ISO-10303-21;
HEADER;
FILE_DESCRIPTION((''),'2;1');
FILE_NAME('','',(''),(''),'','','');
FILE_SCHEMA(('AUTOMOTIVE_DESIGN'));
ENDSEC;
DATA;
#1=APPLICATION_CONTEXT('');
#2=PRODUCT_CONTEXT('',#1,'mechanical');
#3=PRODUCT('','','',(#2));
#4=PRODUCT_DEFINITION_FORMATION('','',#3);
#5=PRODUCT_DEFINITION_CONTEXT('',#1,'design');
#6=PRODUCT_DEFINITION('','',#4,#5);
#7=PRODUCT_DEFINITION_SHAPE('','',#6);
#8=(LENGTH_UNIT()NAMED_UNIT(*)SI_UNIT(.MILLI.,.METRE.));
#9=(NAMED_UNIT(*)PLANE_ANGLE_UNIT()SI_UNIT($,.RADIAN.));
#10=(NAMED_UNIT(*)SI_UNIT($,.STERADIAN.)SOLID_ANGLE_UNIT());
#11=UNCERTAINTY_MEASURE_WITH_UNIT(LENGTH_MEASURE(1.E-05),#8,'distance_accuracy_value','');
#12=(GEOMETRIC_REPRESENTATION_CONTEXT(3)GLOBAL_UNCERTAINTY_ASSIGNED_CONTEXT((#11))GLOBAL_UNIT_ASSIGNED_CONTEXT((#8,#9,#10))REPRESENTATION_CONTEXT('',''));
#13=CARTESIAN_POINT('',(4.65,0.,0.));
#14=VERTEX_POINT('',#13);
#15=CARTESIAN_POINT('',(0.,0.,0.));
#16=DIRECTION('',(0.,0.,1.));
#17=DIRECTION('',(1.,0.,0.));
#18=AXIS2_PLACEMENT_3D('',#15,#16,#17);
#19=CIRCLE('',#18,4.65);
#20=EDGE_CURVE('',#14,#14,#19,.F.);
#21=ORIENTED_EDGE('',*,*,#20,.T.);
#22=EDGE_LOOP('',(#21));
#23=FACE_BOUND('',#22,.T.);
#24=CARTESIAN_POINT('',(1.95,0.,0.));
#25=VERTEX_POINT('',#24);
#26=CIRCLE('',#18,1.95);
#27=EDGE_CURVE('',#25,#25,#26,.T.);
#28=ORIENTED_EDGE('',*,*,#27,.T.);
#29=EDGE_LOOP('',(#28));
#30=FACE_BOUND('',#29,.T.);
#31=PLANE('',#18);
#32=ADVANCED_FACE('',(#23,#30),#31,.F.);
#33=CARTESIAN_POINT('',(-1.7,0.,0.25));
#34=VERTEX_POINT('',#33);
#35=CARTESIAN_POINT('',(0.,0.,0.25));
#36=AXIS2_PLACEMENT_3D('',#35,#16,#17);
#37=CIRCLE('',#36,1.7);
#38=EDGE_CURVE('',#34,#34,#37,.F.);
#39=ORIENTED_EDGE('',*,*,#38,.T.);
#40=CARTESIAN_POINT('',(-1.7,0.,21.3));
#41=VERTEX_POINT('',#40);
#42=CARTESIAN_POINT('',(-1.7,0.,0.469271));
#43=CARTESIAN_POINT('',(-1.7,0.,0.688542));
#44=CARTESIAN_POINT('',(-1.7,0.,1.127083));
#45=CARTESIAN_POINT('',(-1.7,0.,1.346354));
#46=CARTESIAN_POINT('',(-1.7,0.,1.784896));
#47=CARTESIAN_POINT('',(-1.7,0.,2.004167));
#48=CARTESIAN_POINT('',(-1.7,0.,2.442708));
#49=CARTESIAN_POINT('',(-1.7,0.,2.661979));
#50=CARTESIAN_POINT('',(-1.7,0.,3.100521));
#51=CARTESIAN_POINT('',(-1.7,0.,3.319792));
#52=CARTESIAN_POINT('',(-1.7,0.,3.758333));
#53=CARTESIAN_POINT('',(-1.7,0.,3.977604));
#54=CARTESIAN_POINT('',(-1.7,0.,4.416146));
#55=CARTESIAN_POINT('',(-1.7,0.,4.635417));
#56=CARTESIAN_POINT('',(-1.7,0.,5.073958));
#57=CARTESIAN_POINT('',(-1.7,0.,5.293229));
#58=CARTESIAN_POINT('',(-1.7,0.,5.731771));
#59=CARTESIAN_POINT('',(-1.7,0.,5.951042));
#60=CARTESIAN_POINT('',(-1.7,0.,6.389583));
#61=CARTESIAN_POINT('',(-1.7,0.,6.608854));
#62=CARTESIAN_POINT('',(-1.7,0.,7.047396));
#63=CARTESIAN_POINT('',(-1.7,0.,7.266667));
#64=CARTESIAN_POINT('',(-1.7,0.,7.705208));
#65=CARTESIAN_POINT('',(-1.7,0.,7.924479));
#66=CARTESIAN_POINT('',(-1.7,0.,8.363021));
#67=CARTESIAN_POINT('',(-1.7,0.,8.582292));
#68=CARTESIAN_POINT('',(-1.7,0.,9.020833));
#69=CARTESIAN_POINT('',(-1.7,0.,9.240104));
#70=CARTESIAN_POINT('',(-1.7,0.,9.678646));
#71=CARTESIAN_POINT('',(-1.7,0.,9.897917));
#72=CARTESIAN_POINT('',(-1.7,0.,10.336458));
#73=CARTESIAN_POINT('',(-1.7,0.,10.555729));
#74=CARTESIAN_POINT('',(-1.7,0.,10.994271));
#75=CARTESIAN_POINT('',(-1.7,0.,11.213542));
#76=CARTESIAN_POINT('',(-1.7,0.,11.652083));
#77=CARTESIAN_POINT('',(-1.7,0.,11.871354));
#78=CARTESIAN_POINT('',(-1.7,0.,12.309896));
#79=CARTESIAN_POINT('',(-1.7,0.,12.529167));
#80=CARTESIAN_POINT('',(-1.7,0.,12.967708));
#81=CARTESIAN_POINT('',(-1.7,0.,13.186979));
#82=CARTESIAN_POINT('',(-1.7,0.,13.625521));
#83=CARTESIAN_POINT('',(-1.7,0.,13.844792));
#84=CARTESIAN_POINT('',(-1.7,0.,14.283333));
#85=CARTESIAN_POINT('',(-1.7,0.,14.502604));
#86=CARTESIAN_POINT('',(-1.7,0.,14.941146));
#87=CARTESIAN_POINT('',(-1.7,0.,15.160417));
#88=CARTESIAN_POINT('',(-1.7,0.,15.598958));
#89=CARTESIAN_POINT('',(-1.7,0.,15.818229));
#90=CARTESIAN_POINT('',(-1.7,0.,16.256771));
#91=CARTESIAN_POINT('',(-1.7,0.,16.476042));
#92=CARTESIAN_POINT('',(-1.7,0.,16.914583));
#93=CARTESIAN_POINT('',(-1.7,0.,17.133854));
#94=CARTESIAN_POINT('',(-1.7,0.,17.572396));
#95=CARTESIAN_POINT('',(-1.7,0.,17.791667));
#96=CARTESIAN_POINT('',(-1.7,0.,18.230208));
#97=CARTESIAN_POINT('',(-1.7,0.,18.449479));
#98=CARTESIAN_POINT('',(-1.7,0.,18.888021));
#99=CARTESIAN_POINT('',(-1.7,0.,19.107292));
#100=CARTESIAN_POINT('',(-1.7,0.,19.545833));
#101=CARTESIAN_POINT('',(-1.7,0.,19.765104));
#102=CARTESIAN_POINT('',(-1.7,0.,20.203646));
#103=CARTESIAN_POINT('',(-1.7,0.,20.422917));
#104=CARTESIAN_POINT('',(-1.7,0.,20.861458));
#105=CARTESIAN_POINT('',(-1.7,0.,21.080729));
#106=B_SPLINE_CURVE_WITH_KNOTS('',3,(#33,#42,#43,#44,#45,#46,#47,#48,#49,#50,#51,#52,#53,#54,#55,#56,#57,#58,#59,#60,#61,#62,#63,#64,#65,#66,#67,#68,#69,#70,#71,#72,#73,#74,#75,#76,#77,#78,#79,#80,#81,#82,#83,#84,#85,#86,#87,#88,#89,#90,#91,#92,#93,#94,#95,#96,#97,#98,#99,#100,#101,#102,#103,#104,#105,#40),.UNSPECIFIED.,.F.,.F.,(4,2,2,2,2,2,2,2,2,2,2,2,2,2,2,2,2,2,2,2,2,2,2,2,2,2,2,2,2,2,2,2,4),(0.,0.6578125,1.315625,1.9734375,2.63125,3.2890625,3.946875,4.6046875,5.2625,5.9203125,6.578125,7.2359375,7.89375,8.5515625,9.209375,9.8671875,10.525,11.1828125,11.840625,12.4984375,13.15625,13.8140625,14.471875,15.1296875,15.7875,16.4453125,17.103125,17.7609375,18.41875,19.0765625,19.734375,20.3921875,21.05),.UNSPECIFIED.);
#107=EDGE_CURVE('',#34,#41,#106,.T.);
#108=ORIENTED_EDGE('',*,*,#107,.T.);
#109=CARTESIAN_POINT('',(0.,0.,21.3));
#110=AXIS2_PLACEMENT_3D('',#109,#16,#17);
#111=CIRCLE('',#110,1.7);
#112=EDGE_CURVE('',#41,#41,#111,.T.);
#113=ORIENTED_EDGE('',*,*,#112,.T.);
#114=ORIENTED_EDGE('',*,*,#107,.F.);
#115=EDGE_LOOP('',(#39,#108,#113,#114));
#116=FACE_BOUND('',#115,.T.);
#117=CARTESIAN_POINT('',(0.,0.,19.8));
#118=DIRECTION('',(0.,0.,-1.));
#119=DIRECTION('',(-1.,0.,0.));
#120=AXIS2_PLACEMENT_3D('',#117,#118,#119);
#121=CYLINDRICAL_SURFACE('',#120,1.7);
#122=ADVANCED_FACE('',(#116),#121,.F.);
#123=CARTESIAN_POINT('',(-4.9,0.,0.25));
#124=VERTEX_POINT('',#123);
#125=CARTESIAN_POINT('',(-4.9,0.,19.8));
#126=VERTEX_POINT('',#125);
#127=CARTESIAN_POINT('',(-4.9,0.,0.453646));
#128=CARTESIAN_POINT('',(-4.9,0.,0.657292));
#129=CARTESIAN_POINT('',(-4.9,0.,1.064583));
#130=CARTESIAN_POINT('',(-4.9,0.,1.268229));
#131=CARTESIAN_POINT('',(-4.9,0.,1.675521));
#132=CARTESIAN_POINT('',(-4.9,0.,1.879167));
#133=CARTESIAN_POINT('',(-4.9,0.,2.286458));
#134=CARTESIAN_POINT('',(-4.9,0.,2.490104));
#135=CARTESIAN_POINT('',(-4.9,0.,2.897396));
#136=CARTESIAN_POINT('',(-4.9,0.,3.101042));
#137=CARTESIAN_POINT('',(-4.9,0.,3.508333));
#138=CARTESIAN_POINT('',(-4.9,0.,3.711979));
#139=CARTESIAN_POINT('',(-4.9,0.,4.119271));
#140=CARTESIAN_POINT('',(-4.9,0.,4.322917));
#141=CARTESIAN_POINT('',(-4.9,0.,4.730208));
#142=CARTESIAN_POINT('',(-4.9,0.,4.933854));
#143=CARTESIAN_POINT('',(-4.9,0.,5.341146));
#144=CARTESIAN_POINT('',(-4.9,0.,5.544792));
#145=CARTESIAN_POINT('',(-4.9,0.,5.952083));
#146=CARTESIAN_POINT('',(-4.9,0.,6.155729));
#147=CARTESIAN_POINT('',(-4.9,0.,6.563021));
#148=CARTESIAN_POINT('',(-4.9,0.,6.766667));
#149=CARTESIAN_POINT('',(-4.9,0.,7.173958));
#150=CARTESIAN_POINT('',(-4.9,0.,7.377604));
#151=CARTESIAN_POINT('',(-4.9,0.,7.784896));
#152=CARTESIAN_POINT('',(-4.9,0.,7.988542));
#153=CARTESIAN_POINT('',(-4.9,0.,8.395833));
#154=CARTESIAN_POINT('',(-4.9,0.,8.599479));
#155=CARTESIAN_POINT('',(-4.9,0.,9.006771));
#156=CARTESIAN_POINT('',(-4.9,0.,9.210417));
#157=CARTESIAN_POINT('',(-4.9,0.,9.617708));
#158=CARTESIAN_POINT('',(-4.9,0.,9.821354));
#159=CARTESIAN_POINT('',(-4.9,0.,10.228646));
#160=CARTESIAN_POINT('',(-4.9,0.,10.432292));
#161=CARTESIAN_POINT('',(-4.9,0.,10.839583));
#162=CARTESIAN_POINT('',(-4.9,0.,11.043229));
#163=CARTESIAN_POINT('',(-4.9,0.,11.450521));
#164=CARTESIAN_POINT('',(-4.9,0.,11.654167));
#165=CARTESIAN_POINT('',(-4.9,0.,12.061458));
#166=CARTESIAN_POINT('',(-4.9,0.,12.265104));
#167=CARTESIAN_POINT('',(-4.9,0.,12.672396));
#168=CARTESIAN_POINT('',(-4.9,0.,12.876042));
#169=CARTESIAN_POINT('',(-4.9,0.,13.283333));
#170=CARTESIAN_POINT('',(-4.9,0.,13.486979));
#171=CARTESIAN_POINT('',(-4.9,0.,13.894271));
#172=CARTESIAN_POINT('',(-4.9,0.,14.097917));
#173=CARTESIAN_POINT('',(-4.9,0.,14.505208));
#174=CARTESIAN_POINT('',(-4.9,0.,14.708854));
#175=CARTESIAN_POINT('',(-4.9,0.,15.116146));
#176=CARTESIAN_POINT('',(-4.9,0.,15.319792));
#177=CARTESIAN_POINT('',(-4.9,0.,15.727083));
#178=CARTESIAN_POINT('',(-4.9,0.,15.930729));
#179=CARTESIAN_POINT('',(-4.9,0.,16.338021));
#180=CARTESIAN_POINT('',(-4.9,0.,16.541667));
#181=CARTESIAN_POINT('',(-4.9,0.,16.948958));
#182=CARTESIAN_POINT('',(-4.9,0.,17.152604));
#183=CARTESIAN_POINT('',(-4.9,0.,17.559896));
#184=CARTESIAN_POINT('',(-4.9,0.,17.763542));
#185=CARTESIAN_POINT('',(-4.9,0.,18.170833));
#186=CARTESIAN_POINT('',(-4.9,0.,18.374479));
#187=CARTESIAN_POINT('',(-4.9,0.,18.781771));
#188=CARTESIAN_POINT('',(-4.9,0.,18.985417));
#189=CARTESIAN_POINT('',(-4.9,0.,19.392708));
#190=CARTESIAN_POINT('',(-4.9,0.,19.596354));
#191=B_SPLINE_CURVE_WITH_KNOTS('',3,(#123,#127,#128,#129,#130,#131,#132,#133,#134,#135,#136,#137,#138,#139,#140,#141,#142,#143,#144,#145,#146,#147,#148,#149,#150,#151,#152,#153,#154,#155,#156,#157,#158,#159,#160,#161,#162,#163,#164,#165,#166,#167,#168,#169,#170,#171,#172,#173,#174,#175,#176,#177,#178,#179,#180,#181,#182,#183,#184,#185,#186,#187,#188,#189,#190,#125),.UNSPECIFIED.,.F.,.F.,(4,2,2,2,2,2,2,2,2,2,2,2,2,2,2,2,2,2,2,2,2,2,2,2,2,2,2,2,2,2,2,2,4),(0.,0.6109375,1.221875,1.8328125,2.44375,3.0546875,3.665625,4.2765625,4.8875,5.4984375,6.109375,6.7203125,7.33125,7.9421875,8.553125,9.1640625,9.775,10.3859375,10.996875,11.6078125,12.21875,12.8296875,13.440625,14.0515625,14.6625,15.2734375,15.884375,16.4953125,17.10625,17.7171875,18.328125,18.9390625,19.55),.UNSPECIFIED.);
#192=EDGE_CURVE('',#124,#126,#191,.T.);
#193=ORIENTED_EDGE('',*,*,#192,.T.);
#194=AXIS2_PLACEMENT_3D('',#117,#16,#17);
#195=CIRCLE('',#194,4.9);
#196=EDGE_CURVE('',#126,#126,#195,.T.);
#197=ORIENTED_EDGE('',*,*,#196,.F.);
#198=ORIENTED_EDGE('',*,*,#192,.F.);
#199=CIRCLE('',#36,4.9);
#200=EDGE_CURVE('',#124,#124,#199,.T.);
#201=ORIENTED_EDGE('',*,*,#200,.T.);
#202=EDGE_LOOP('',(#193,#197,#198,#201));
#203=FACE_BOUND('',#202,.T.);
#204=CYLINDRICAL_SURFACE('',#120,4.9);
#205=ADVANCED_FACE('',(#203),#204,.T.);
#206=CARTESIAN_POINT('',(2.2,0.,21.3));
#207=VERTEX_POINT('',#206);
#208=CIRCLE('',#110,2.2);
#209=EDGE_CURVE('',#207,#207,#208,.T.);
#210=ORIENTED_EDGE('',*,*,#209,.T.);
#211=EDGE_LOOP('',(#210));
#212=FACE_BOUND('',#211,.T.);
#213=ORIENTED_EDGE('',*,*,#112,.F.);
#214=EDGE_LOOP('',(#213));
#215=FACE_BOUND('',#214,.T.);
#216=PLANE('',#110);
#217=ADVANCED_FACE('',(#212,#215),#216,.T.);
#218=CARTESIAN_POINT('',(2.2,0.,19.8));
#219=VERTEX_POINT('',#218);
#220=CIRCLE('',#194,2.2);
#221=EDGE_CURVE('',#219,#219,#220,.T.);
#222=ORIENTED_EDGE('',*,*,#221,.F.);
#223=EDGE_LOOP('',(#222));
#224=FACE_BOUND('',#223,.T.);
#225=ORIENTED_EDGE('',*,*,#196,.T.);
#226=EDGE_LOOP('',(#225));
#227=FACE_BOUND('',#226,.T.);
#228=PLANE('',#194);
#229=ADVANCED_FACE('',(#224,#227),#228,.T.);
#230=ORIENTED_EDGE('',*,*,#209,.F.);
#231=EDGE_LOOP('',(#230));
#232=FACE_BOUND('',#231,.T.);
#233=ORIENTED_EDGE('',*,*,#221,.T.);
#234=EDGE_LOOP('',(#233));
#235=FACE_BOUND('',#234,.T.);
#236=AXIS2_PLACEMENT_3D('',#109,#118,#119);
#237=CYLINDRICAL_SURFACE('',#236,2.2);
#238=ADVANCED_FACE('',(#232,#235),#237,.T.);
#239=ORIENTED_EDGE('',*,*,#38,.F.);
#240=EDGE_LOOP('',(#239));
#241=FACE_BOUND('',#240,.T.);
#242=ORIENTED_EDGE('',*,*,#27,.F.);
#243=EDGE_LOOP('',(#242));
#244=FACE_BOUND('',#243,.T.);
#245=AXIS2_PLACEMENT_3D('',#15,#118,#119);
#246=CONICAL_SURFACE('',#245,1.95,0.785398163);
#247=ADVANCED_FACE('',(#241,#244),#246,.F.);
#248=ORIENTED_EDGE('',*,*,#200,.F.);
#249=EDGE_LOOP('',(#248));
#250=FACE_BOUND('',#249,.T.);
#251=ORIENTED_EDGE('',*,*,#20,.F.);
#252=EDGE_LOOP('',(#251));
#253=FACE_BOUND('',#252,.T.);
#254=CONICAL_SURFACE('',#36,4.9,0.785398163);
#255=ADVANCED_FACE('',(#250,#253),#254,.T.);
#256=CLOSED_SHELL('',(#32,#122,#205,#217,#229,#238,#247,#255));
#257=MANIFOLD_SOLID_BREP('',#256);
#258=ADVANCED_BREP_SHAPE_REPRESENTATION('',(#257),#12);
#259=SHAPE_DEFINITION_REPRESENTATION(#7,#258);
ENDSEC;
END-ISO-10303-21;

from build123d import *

# Parameters (mm, degrees)
SKETCH1_R           = 4.9
SKETCH1_R_2         = 1.7
BOSS_EXTRUDE1_DEPTH = 19.8
SKETCH2_R           = 2.2
SKETCH2_R_2         = 1.7
BOSS_EXTRUDE2_DEPTH = 1.5
CHAMFER1_SIZE       = 0.25


with BuildPart() as part:
    # Sketch1 → Boss-Extrude1 (new body)
    with BuildSketch(Plane.XY):
        with Locations(Location((0, 0, 0), (0, 0, 180))):
            Circle(SKETCH1_R)
        with Locations(Location((0, 0, 0), (0, 0, 180))):
            Circle(SKETCH1_R_2, mode=Mode.SUBTRACT)
    extrude(amount=BOSS_EXTRUDE1_DEPTH)

    # Sketch2 → Boss-Extrude2 (add)
    with BuildSketch(Plane.XY.offset(19.8)):
        Circle(SKETCH2_R)
        with Locations(Location((0, 0, 0), (0, 0, 180))):
            Circle(SKETCH2_R_2, mode=Mode.SUBTRACT)
    extrude(amount=BOSS_EXTRUDE2_DEPTH)

    # Chamfer1
    chamfer1_edges = [part.edges().sort_by_distance(p)[0] for p in [
        (4.9, 0, 0),
        (1.7, 0, 0),
    ]]
    chamfer(chamfer1_edges, length=CHAMFER1_SIZE)


solid = part.part
